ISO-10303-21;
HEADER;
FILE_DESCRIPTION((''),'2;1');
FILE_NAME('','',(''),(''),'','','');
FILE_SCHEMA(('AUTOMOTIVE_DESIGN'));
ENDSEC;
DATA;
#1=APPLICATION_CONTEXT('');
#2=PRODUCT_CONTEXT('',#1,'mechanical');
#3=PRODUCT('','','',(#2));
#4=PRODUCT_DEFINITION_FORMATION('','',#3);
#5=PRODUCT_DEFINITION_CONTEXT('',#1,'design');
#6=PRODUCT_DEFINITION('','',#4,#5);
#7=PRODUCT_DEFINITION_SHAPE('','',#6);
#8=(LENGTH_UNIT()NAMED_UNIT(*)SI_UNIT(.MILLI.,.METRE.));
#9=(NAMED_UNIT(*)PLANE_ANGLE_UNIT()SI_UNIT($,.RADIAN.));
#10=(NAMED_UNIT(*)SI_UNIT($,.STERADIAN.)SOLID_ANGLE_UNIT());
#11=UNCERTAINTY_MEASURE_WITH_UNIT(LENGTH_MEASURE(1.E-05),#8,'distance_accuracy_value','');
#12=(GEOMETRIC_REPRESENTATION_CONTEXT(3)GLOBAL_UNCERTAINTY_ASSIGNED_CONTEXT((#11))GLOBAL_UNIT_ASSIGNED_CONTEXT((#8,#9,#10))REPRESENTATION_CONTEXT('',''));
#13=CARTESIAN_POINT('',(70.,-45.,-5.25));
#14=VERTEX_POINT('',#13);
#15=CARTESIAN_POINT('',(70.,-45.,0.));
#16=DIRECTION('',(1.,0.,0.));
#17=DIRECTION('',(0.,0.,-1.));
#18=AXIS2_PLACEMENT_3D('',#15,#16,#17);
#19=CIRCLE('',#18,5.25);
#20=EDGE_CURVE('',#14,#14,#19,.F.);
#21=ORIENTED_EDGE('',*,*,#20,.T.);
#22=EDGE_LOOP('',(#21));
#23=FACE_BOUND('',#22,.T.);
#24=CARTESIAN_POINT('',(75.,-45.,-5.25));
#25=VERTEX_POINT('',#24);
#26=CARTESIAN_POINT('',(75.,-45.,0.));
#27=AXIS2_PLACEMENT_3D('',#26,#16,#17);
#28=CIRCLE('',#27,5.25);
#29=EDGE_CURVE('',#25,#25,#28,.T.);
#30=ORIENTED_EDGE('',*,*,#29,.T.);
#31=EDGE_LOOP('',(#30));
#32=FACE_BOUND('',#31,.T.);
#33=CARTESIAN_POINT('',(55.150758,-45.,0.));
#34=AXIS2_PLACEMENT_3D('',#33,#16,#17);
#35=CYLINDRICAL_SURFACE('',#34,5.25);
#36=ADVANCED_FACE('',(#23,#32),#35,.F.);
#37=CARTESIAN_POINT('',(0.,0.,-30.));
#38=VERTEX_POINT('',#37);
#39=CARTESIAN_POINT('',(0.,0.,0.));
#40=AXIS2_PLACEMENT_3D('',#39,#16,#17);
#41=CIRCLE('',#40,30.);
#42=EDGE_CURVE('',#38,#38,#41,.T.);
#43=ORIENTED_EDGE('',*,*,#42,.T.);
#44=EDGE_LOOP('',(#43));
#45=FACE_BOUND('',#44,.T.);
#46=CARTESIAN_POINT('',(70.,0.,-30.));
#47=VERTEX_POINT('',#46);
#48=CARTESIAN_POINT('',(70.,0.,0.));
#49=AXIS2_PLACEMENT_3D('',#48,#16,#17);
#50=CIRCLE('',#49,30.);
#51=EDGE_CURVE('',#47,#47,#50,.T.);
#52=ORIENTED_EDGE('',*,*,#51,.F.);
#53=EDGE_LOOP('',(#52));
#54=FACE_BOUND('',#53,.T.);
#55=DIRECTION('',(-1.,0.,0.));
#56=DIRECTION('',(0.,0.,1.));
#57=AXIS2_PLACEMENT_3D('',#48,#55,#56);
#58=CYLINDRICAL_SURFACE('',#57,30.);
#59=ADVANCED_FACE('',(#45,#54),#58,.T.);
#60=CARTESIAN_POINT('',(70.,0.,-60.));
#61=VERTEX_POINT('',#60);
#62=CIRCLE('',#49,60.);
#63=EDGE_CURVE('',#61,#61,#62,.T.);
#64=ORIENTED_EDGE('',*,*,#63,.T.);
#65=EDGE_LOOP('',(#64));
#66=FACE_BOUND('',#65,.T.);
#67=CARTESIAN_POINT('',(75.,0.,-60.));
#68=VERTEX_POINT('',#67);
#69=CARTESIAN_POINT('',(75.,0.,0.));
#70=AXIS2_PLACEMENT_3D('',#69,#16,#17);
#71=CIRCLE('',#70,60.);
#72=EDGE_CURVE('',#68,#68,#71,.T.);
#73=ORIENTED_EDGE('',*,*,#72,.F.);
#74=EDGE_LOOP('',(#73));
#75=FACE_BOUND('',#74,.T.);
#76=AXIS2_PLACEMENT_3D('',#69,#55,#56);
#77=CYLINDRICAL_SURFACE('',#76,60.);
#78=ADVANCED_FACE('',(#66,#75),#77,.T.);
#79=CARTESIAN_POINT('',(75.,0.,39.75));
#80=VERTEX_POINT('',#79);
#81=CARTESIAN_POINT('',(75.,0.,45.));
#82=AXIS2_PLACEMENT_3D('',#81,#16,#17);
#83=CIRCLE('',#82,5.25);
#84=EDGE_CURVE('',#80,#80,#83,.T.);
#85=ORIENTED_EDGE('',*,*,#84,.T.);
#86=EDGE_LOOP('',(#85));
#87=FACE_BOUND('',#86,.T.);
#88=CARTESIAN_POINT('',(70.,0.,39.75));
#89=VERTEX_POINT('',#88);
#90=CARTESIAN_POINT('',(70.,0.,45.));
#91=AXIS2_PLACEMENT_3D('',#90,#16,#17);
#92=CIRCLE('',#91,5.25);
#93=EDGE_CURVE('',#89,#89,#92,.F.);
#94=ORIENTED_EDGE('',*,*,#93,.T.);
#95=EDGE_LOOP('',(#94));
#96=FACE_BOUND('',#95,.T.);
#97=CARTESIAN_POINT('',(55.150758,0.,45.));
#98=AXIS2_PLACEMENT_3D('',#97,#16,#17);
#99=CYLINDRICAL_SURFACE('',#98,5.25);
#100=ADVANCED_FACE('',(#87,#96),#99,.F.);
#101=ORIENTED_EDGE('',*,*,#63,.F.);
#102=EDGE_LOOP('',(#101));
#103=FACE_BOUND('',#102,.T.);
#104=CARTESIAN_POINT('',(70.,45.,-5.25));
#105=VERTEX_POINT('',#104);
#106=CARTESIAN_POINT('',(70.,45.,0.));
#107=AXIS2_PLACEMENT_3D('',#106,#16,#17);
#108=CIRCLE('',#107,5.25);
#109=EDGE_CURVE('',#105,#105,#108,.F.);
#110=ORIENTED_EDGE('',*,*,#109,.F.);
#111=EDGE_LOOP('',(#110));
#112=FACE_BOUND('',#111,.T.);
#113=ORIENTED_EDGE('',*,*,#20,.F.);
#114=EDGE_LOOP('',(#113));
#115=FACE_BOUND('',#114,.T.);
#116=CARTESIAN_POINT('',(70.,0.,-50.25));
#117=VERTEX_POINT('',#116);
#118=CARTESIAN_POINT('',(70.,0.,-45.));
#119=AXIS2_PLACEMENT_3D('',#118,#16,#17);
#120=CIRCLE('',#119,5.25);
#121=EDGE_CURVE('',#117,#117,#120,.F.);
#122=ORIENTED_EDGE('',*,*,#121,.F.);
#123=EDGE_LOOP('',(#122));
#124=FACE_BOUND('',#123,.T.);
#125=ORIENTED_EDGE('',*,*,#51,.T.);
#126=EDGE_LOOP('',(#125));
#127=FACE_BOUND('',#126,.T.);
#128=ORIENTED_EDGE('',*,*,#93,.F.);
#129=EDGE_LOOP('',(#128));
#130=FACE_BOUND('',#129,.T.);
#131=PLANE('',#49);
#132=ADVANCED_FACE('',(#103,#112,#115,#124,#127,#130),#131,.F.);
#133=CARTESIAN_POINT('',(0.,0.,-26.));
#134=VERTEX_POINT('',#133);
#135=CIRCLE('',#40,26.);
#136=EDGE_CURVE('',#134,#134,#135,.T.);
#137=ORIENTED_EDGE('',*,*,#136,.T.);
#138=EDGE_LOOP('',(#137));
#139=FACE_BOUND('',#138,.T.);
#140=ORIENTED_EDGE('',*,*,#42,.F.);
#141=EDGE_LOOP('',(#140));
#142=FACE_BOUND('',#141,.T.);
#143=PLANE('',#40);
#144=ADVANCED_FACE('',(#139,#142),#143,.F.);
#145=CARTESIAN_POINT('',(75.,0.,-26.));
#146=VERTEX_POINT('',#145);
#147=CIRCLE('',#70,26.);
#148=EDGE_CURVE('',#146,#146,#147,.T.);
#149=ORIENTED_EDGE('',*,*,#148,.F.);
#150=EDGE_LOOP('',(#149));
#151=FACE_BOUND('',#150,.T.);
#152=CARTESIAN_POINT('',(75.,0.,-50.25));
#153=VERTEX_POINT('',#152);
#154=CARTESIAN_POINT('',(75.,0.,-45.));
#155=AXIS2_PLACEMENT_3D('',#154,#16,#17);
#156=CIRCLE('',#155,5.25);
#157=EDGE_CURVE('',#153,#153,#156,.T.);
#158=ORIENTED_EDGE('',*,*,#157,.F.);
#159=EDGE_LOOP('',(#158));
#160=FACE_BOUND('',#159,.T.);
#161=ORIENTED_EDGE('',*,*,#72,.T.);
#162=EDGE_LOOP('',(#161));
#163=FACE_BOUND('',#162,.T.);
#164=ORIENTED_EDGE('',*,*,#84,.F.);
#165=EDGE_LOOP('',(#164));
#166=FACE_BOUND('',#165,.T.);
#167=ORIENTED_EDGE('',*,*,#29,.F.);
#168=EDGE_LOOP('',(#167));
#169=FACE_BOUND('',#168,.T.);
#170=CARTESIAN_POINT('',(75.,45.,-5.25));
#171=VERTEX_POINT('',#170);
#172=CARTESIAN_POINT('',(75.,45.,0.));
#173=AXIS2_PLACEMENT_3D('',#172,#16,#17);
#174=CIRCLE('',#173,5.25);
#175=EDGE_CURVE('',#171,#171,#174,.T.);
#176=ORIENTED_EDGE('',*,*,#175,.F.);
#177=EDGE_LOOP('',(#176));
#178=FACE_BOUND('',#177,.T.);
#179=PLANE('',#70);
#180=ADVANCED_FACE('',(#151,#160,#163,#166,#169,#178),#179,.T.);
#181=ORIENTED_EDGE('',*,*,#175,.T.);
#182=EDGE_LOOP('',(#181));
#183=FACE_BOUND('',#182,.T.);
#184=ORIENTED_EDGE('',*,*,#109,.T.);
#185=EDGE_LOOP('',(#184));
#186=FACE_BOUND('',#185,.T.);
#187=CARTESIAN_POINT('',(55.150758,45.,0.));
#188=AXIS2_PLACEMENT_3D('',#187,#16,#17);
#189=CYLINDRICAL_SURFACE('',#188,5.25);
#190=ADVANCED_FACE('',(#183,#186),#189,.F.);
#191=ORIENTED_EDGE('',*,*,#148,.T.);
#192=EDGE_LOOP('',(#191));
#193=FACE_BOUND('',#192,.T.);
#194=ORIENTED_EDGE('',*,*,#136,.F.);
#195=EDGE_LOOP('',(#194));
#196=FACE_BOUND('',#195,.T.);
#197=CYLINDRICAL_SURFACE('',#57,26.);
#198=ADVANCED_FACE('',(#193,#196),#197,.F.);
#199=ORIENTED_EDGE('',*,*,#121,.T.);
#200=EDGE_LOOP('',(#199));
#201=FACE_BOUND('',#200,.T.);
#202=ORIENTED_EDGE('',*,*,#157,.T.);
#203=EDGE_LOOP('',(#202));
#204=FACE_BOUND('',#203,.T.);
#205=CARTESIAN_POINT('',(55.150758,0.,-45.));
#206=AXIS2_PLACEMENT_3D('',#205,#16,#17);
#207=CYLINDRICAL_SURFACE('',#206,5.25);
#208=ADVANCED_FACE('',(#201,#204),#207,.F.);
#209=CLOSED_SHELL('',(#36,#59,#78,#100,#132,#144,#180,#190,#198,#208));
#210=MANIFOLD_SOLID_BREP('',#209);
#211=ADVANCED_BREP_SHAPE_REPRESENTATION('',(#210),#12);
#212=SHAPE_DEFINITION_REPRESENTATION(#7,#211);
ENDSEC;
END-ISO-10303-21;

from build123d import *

# Parameters (mm, degrees)
SZKIC1_R                    = 30
SZKIC1_R_2                  = 26
DODANIE_WYCI_GNI_CIE1_DEPTH = 70
SZKIC2_R                    = 60
SZKIC2_R_2                  = 26
DODANIE_WYCI_GNI_CIE2_DEPTH = 5
SZKIC3_R                    = 5.25
WYTNIJ_WYCI_GNI_CIE1_DEPTH  = 5


with BuildPart() as part:
    # Szkic1 → Dodanie-wyciągnięcie1 (new body)
    with BuildSketch(Plane(origin=(0, 0, 0), x_dir=(0, 0, -1), z_dir=(1, 0, 0))):
        Circle(SZKIC1_R)
        Circle(SZKIC1_R_2, mode=Mode.SUBTRACT)
    extrude(amount=DODANIE_WYCI_GNI_CIE1_DEPTH)

    # Szkic2 → Dodanie-wyciągnięcie2 (add)
    with BuildSketch(Plane(origin=(70, 0, 0), x_dir=(0, 0, -1), z_dir=(1, 0, 0))):
        Circle(SZKIC2_R)
        Circle(SZKIC2_R_2, mode=Mode.SUBTRACT)
    extrude(amount=DODANIE_WYCI_GNI_CIE2_DEPTH)

    # Szkic3 → Wytnij-wyciągnięcie1 (cut)
    with BuildSketch(Plane(origin=(75, 0, 0), x_dir=(0, 0, -1), z_dir=(1, 0, 0))):
        with Locations((-45, 0)):
            Circle(SZKIC3_R)
        with Locations((45, 0)):
            Circle(SZKIC3_R)
        with Locations((0, -45)):
            Circle(SZKIC3_R)
        with Locations((0, 45)):
            Circle(SZKIC3_R)
    extrude(amount=-WYTNIJ_WYCI_GNI_CIE1_DEPTH, mode=Mode.SUBTRACT)


solid = part.part
